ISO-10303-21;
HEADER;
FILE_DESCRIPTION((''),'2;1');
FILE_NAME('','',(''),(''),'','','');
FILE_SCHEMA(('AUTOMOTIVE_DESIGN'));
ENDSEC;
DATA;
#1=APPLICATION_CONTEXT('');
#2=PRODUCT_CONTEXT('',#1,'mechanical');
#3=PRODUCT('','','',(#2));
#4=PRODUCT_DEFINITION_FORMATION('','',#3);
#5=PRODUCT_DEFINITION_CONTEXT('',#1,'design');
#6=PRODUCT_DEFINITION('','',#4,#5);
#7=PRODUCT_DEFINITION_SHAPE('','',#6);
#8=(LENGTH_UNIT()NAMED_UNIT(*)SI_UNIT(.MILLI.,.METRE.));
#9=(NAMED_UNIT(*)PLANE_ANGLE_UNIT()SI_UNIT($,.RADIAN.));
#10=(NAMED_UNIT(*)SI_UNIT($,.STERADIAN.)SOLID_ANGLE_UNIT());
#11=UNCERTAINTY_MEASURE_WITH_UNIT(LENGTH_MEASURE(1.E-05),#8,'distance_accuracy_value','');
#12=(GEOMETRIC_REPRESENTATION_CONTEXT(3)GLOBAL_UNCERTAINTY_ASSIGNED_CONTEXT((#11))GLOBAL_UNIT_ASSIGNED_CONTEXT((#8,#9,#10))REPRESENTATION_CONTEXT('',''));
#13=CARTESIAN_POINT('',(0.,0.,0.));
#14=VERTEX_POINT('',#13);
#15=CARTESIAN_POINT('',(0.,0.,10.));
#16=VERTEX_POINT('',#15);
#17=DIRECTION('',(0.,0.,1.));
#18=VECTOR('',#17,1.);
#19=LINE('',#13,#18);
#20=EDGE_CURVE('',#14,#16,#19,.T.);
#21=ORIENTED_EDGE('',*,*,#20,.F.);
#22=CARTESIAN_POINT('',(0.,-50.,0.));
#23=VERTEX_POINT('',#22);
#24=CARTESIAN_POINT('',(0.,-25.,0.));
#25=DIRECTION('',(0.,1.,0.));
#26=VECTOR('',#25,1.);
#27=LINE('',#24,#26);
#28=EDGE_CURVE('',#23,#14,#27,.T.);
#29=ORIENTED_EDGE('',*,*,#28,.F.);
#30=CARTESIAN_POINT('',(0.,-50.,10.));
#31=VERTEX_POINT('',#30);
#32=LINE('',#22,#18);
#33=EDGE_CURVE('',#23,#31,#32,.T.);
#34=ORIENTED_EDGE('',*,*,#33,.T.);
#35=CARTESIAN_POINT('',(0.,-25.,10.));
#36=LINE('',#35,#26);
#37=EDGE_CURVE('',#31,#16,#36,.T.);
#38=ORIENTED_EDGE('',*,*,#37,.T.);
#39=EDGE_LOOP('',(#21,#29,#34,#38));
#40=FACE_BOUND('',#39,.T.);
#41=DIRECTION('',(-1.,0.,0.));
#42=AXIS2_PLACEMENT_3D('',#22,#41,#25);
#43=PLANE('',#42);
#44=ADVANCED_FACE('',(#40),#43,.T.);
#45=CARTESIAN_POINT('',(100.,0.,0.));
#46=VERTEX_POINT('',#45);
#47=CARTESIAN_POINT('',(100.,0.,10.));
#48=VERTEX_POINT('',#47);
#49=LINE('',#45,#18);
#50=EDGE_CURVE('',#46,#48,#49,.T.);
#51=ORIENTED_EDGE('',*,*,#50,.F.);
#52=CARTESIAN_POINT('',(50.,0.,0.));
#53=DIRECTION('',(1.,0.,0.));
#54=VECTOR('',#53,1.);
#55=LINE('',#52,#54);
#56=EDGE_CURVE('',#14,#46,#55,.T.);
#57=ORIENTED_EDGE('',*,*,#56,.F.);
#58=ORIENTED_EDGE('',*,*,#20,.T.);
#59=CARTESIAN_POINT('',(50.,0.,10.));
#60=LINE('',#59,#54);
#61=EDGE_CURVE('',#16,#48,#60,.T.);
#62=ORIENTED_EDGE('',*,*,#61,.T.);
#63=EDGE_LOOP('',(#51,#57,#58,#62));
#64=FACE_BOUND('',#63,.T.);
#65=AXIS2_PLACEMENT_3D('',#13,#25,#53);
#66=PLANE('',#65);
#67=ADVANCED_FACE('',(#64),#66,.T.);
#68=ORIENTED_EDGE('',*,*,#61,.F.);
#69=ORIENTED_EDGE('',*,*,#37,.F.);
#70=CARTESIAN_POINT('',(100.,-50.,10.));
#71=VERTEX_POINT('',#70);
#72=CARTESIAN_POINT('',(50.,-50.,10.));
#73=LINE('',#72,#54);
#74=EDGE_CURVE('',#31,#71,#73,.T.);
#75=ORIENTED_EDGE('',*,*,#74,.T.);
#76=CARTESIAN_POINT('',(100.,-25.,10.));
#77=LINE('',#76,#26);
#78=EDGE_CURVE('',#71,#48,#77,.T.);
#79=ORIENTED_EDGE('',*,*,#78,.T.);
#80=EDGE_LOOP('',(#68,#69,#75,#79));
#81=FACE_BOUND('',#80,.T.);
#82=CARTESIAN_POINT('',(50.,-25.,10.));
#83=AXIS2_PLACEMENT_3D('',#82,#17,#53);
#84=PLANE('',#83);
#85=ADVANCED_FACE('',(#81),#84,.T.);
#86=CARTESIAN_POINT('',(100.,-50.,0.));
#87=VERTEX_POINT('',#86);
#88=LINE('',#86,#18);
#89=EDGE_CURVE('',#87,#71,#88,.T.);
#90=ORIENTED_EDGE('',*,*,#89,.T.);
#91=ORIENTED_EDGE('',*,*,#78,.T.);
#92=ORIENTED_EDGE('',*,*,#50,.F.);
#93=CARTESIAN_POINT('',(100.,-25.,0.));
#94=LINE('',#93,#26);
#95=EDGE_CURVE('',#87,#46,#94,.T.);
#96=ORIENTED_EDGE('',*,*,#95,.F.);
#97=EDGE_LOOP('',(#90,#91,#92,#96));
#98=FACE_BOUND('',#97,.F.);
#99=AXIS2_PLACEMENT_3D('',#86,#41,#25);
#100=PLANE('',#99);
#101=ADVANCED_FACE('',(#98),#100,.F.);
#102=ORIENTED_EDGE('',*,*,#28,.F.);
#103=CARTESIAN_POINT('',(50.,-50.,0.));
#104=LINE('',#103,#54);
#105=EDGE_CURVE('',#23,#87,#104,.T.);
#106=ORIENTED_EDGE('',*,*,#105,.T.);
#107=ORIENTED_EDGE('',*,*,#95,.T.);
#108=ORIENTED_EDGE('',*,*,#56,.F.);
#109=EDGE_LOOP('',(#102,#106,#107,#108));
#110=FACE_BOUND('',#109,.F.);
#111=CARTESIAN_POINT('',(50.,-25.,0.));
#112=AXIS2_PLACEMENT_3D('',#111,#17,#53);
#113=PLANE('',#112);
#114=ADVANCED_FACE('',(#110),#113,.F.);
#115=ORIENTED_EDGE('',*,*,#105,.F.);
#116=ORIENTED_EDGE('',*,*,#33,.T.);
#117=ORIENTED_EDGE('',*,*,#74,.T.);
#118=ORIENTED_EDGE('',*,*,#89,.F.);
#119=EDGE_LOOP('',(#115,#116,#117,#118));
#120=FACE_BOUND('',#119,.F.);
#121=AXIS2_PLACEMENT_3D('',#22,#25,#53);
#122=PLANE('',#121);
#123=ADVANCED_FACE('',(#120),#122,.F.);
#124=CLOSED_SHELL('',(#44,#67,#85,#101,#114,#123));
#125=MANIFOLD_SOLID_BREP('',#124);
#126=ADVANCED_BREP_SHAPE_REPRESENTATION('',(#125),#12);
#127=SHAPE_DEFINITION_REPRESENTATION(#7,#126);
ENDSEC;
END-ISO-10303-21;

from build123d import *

# Parameters (mm, degrees)
SKETCH1_W           = 100
SKETCH1_H           = 50
BOSS_EXTRUDE1_DEPTH = 10


with BuildPart() as part:
    # Sketch1 → Boss-Extrude1 (new body)
    with BuildSketch(Plane.XY):
        with Locations((50, -25)):
            Rectangle(SKETCH1_W, SKETCH1_H)
    extrude(amount=BOSS_EXTRUDE1_DEPTH)


solid = part.part
